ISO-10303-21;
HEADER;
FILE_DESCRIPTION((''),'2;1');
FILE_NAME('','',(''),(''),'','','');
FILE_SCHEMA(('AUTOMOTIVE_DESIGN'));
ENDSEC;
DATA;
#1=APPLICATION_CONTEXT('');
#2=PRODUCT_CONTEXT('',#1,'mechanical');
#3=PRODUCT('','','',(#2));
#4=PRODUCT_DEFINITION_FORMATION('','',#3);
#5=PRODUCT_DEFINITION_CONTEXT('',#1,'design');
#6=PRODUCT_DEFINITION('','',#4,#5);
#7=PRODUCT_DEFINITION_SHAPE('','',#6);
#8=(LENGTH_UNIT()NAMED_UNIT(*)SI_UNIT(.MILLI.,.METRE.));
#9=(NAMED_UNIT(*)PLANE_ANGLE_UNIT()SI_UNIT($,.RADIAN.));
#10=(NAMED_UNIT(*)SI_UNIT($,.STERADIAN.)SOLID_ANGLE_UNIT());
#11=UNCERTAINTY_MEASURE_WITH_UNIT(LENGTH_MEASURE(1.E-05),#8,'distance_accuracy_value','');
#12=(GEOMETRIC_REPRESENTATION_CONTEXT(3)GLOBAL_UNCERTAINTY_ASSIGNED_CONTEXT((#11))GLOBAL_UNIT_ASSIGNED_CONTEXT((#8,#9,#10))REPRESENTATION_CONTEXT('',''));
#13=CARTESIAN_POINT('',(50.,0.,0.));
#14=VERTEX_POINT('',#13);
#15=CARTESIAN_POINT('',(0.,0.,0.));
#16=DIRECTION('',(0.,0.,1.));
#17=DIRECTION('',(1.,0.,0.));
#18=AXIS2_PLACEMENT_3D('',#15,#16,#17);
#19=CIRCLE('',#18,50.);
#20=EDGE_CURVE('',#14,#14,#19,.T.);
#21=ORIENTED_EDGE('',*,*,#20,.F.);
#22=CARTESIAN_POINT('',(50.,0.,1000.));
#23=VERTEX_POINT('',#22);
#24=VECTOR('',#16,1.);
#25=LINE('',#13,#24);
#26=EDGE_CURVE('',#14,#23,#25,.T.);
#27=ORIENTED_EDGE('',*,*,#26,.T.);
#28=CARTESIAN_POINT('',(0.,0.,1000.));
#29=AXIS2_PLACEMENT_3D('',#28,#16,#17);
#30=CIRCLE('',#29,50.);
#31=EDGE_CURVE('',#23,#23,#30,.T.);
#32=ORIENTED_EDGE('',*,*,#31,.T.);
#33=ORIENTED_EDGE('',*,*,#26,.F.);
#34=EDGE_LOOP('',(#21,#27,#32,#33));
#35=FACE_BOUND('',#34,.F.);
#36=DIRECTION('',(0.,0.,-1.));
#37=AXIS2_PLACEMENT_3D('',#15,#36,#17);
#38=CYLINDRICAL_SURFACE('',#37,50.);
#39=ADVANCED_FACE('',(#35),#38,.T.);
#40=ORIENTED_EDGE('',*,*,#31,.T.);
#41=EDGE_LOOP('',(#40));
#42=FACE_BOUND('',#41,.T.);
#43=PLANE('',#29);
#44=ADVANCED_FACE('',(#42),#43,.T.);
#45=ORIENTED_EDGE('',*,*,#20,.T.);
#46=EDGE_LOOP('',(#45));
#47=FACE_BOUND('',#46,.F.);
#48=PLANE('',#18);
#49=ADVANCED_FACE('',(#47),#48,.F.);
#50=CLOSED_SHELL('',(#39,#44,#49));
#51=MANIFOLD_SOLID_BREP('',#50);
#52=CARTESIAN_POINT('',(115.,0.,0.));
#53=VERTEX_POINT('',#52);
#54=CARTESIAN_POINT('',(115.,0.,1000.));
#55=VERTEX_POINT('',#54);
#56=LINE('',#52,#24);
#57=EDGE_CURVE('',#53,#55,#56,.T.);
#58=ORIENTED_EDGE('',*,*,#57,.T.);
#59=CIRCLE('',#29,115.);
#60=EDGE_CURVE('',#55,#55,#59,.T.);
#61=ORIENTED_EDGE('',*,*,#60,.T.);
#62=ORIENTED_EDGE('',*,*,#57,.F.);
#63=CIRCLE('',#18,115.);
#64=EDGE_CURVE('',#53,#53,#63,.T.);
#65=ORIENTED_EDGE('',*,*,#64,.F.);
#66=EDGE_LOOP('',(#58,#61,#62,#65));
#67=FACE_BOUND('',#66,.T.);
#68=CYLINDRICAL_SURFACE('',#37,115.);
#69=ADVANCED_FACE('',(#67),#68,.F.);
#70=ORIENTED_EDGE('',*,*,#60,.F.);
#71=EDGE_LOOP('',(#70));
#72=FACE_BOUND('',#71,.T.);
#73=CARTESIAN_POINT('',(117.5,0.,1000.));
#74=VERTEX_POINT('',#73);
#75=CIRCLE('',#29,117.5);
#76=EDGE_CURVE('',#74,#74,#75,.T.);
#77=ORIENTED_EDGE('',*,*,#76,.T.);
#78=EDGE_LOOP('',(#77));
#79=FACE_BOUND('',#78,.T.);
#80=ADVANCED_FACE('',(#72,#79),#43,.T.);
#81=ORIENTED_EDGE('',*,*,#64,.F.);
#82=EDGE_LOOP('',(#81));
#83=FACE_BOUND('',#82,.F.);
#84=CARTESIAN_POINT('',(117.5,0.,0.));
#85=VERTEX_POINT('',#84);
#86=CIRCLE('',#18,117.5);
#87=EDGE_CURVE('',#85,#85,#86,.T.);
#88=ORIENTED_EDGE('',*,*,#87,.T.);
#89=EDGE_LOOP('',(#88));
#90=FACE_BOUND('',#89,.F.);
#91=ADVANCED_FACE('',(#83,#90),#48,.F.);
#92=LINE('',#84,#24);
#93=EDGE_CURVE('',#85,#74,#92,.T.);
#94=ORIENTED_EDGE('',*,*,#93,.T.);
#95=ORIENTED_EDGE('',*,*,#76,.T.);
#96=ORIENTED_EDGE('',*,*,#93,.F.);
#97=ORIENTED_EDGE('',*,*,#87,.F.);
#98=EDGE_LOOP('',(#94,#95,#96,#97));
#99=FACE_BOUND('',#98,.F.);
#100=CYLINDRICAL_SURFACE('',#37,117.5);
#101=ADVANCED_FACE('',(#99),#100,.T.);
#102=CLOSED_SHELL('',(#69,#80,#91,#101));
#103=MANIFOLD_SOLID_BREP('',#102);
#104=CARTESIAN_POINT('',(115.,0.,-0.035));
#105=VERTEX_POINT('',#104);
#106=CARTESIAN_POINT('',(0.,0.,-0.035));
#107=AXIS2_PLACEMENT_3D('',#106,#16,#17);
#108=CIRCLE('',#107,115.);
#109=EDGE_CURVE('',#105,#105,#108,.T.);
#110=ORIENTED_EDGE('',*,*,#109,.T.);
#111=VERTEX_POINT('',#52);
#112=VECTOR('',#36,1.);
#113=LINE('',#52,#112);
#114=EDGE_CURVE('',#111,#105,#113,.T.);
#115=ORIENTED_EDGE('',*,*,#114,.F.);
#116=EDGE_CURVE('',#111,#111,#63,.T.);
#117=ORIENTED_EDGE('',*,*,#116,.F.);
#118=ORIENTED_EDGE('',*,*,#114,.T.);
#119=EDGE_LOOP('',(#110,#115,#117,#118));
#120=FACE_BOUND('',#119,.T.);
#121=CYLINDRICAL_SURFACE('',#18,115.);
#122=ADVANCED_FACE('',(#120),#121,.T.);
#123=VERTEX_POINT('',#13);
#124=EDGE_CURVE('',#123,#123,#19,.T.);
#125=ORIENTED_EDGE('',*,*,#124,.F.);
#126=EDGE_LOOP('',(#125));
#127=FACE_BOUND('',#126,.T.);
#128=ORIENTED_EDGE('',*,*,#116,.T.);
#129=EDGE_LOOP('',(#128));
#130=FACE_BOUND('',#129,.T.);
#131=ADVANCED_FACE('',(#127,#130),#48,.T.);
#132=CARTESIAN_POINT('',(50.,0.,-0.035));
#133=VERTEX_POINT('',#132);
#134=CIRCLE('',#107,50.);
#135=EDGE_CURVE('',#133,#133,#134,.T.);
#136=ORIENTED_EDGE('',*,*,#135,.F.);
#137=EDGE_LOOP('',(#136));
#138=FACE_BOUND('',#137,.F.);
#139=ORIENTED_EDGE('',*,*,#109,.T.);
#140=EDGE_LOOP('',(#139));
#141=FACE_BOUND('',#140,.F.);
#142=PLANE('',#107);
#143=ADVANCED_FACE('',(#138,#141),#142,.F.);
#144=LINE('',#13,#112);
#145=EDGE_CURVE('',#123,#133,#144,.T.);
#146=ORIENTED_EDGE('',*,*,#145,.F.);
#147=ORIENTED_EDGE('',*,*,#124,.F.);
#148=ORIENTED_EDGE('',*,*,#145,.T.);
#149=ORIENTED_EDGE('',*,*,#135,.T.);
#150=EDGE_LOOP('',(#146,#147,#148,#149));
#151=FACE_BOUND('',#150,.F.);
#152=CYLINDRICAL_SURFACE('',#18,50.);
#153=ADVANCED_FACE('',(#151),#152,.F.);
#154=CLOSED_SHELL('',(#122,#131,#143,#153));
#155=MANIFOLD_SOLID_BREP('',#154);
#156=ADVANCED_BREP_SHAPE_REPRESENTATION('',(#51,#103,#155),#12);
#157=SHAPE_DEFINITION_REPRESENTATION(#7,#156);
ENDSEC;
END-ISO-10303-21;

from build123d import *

# Parameters (mm, degrees)
SKETCH_R         = 117.5
SKETCH_R_2       = 115
EXTRUDE_DEPTH    = 1000
SKETCH001_R      = 50
EXTRUDE001_DEPTH = 1000
SKETCH002_R      = 115
SKETCH002_R_2    = 50
EXTRUDE002_DEPTH = 0.035


with BuildPart() as gnd:
    # Sketch → Extrude (new body)
    with BuildSketch(Plane.XY):
        Circle(SKETCH_R)
        Circle(SKETCH_R_2, mode=Mode.SUBTRACT)
    extrude(amount=EXTRUDE_DEPTH)


with BuildPart() as antenna:
    # Sketch001 → Extrude001 (new body)
    with BuildSketch(Plane.XY):
        Circle(SKETCH001_R)
    extrude(amount=EXTRUDE001_DEPTH)


with BuildPart() as excitationcoax:
    # Sketch002 → Extrude002 (new body)
    with BuildSketch(Plane.XY):
        Circle(SKETCH002_R)
        Circle(SKETCH002_R_2, mode=Mode.SUBTRACT)
    extrude(amount=-EXTRUDE002_DEPTH)


solid = Compound([gnd.part, antenna.part, excitationcoax.part])
